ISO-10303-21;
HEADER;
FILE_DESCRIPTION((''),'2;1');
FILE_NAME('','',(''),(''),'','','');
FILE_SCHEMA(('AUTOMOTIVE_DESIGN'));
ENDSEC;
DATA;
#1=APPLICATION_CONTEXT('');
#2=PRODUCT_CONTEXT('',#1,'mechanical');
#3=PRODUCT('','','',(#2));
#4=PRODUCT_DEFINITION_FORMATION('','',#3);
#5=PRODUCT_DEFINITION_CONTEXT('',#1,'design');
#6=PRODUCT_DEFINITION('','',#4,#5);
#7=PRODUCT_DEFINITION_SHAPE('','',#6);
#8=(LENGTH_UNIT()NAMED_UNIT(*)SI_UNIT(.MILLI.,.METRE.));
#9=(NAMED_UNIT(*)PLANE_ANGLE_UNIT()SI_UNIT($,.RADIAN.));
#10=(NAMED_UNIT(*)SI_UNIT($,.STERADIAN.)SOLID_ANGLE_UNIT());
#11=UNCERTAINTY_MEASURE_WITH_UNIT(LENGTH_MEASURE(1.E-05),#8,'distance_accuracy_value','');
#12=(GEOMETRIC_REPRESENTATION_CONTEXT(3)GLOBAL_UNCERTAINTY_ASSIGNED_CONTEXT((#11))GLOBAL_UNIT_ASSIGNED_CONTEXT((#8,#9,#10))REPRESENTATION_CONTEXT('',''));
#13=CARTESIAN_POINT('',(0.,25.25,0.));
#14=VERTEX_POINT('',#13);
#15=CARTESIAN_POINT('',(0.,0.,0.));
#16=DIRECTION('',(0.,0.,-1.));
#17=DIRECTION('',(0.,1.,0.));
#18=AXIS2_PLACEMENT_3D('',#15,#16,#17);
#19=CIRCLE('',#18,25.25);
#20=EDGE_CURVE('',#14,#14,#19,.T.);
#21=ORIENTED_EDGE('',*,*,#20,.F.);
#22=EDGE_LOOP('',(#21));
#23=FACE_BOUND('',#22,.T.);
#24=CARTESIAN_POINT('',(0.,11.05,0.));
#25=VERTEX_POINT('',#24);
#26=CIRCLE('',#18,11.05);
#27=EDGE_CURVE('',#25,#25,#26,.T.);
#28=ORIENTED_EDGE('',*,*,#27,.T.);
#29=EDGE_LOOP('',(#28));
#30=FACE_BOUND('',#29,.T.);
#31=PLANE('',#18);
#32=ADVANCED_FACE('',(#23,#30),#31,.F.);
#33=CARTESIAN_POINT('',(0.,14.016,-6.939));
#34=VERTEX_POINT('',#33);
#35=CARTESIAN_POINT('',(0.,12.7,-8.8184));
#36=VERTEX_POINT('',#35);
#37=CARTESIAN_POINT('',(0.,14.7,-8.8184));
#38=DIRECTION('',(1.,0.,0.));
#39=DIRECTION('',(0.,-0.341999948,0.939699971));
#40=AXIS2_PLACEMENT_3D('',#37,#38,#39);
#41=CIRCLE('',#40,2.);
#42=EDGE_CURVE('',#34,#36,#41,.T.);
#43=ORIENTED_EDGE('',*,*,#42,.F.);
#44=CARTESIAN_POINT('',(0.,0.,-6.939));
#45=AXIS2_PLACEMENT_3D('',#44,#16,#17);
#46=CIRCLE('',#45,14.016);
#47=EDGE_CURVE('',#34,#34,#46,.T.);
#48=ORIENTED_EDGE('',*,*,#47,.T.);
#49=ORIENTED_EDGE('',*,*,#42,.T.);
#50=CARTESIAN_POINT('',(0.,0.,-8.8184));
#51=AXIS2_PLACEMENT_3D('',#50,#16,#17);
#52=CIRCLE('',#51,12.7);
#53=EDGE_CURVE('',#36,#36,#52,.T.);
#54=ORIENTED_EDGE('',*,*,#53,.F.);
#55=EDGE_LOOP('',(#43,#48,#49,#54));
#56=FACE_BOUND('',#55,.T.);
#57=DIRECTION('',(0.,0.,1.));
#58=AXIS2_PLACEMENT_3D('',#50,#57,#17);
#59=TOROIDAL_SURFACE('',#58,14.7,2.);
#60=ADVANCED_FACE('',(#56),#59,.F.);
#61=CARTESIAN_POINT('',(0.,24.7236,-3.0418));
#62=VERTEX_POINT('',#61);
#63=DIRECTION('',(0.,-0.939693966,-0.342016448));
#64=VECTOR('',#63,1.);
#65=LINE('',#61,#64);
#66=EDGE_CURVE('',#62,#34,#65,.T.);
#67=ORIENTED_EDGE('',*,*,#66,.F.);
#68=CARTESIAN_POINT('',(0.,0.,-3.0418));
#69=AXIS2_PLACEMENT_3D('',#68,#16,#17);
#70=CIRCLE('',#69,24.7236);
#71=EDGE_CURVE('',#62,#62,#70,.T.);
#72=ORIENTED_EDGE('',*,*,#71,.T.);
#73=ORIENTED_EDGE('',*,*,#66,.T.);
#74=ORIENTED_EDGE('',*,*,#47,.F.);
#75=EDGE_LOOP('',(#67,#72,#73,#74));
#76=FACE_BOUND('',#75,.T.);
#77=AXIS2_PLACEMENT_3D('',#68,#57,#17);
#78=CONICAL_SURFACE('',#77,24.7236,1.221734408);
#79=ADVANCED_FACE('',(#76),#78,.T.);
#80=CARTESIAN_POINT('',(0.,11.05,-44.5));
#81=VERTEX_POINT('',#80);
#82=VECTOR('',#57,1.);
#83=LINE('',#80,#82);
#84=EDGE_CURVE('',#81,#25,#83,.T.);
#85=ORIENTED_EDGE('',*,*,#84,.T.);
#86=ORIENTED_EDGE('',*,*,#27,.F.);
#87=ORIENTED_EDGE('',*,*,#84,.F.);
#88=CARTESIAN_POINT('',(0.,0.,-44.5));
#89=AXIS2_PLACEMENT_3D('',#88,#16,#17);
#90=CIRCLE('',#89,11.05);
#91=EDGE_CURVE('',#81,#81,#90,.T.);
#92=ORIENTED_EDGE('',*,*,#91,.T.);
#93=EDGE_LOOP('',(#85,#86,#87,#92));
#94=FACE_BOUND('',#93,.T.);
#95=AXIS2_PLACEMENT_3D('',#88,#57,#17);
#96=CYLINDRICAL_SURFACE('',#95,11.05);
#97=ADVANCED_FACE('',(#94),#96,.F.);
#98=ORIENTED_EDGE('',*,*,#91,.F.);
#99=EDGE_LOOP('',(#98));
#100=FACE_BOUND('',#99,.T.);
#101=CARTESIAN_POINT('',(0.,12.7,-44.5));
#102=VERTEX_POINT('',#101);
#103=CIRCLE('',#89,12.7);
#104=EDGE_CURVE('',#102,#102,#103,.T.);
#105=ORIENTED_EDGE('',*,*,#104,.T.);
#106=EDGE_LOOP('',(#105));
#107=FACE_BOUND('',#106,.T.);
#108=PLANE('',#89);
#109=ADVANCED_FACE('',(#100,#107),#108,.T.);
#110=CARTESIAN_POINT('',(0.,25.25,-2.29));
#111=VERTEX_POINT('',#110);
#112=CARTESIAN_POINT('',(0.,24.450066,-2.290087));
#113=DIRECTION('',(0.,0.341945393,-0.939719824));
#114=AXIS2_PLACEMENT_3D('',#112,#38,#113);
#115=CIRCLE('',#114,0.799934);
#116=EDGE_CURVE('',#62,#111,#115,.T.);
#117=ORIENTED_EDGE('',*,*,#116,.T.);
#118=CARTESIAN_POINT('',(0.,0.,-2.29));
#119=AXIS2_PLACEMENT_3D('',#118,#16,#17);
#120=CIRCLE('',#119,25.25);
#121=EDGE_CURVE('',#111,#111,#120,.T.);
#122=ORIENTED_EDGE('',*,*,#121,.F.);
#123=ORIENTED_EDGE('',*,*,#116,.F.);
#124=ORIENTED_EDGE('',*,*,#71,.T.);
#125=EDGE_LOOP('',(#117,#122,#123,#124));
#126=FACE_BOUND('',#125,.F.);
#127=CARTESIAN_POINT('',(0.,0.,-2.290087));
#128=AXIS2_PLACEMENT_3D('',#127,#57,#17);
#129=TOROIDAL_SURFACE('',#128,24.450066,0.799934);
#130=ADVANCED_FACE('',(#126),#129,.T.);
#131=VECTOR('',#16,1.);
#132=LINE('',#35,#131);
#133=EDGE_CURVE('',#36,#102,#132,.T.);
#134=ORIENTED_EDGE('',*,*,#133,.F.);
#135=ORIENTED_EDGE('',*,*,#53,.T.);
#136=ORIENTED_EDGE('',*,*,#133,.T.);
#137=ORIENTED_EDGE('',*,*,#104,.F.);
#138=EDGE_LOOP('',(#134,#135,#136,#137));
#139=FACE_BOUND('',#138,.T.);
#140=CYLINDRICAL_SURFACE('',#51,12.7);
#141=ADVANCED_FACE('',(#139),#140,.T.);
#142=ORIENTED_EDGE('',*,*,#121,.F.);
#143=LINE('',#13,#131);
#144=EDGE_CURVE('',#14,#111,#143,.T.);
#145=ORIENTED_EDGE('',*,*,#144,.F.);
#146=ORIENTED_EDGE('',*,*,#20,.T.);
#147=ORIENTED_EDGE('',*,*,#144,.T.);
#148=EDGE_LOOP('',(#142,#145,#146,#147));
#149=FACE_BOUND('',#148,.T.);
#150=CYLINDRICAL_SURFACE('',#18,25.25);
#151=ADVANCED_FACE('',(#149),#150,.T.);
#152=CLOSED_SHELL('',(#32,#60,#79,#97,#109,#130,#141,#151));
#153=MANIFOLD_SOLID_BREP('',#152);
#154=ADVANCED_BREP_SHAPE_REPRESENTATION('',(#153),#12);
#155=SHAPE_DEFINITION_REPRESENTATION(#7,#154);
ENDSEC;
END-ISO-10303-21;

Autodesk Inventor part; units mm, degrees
ref_plane "YZ Plane" through (0, 0, 0) normal (1, 0, 0) x (0, 1, 0)
ref_plane "XZ Plane" through (0, 0, 0) normal (0, 1, 0) x (-1, 0, 0)
ref_plane "XY Plane" through (0, 0, 0) normal (0, 0, 1) x (1, 0, 0)
sketch "Sketch2" plane through (0, 0, 0) normal (1, 0, 0) x (0, 1, 0)
  line L0 (0, 0) -> (0, -44.5)
  line L1 (11.05, -44.5) -> (11.05, 0)
  line L2 (11.05, 0) -> (25.25, 0)
  line L3 (25.25, 0) -> (25.25, -2.29)
  line L4 (24.7236, -3.0418) -> (14.016, -6.939)
  line L5 (12.7, -8.8184) -> (12.7, -44.5)
  line L6 (12.7, -44.5) -> (11.05, -44.5)
  arc A0 (24.7236, -3.0418) -> (25.25, -2.29) centre (24.45, -2.29) ccw
  arc A1 (14.016, -6.939) -> (12.7, -8.8184) centre (14.7, -8.8184) ccw
  dimension "OD" = 25.4
  dimension "THW" = 1.65
  dimension "L" = 44.5
  dimension "d3" = 50.5
  dimension "d4" = 0.8
  dimension "d5" = 2.29
  dimension "d6" = 2
  dimension "d7" = 20
revolve "Revolution1" add sketch "Sketch2" angle 360 about axis through (0, 0, 0) along (0, 0, -1)
properties part number "Ferrule-25.4" material "Stainless Steel, 316L"
